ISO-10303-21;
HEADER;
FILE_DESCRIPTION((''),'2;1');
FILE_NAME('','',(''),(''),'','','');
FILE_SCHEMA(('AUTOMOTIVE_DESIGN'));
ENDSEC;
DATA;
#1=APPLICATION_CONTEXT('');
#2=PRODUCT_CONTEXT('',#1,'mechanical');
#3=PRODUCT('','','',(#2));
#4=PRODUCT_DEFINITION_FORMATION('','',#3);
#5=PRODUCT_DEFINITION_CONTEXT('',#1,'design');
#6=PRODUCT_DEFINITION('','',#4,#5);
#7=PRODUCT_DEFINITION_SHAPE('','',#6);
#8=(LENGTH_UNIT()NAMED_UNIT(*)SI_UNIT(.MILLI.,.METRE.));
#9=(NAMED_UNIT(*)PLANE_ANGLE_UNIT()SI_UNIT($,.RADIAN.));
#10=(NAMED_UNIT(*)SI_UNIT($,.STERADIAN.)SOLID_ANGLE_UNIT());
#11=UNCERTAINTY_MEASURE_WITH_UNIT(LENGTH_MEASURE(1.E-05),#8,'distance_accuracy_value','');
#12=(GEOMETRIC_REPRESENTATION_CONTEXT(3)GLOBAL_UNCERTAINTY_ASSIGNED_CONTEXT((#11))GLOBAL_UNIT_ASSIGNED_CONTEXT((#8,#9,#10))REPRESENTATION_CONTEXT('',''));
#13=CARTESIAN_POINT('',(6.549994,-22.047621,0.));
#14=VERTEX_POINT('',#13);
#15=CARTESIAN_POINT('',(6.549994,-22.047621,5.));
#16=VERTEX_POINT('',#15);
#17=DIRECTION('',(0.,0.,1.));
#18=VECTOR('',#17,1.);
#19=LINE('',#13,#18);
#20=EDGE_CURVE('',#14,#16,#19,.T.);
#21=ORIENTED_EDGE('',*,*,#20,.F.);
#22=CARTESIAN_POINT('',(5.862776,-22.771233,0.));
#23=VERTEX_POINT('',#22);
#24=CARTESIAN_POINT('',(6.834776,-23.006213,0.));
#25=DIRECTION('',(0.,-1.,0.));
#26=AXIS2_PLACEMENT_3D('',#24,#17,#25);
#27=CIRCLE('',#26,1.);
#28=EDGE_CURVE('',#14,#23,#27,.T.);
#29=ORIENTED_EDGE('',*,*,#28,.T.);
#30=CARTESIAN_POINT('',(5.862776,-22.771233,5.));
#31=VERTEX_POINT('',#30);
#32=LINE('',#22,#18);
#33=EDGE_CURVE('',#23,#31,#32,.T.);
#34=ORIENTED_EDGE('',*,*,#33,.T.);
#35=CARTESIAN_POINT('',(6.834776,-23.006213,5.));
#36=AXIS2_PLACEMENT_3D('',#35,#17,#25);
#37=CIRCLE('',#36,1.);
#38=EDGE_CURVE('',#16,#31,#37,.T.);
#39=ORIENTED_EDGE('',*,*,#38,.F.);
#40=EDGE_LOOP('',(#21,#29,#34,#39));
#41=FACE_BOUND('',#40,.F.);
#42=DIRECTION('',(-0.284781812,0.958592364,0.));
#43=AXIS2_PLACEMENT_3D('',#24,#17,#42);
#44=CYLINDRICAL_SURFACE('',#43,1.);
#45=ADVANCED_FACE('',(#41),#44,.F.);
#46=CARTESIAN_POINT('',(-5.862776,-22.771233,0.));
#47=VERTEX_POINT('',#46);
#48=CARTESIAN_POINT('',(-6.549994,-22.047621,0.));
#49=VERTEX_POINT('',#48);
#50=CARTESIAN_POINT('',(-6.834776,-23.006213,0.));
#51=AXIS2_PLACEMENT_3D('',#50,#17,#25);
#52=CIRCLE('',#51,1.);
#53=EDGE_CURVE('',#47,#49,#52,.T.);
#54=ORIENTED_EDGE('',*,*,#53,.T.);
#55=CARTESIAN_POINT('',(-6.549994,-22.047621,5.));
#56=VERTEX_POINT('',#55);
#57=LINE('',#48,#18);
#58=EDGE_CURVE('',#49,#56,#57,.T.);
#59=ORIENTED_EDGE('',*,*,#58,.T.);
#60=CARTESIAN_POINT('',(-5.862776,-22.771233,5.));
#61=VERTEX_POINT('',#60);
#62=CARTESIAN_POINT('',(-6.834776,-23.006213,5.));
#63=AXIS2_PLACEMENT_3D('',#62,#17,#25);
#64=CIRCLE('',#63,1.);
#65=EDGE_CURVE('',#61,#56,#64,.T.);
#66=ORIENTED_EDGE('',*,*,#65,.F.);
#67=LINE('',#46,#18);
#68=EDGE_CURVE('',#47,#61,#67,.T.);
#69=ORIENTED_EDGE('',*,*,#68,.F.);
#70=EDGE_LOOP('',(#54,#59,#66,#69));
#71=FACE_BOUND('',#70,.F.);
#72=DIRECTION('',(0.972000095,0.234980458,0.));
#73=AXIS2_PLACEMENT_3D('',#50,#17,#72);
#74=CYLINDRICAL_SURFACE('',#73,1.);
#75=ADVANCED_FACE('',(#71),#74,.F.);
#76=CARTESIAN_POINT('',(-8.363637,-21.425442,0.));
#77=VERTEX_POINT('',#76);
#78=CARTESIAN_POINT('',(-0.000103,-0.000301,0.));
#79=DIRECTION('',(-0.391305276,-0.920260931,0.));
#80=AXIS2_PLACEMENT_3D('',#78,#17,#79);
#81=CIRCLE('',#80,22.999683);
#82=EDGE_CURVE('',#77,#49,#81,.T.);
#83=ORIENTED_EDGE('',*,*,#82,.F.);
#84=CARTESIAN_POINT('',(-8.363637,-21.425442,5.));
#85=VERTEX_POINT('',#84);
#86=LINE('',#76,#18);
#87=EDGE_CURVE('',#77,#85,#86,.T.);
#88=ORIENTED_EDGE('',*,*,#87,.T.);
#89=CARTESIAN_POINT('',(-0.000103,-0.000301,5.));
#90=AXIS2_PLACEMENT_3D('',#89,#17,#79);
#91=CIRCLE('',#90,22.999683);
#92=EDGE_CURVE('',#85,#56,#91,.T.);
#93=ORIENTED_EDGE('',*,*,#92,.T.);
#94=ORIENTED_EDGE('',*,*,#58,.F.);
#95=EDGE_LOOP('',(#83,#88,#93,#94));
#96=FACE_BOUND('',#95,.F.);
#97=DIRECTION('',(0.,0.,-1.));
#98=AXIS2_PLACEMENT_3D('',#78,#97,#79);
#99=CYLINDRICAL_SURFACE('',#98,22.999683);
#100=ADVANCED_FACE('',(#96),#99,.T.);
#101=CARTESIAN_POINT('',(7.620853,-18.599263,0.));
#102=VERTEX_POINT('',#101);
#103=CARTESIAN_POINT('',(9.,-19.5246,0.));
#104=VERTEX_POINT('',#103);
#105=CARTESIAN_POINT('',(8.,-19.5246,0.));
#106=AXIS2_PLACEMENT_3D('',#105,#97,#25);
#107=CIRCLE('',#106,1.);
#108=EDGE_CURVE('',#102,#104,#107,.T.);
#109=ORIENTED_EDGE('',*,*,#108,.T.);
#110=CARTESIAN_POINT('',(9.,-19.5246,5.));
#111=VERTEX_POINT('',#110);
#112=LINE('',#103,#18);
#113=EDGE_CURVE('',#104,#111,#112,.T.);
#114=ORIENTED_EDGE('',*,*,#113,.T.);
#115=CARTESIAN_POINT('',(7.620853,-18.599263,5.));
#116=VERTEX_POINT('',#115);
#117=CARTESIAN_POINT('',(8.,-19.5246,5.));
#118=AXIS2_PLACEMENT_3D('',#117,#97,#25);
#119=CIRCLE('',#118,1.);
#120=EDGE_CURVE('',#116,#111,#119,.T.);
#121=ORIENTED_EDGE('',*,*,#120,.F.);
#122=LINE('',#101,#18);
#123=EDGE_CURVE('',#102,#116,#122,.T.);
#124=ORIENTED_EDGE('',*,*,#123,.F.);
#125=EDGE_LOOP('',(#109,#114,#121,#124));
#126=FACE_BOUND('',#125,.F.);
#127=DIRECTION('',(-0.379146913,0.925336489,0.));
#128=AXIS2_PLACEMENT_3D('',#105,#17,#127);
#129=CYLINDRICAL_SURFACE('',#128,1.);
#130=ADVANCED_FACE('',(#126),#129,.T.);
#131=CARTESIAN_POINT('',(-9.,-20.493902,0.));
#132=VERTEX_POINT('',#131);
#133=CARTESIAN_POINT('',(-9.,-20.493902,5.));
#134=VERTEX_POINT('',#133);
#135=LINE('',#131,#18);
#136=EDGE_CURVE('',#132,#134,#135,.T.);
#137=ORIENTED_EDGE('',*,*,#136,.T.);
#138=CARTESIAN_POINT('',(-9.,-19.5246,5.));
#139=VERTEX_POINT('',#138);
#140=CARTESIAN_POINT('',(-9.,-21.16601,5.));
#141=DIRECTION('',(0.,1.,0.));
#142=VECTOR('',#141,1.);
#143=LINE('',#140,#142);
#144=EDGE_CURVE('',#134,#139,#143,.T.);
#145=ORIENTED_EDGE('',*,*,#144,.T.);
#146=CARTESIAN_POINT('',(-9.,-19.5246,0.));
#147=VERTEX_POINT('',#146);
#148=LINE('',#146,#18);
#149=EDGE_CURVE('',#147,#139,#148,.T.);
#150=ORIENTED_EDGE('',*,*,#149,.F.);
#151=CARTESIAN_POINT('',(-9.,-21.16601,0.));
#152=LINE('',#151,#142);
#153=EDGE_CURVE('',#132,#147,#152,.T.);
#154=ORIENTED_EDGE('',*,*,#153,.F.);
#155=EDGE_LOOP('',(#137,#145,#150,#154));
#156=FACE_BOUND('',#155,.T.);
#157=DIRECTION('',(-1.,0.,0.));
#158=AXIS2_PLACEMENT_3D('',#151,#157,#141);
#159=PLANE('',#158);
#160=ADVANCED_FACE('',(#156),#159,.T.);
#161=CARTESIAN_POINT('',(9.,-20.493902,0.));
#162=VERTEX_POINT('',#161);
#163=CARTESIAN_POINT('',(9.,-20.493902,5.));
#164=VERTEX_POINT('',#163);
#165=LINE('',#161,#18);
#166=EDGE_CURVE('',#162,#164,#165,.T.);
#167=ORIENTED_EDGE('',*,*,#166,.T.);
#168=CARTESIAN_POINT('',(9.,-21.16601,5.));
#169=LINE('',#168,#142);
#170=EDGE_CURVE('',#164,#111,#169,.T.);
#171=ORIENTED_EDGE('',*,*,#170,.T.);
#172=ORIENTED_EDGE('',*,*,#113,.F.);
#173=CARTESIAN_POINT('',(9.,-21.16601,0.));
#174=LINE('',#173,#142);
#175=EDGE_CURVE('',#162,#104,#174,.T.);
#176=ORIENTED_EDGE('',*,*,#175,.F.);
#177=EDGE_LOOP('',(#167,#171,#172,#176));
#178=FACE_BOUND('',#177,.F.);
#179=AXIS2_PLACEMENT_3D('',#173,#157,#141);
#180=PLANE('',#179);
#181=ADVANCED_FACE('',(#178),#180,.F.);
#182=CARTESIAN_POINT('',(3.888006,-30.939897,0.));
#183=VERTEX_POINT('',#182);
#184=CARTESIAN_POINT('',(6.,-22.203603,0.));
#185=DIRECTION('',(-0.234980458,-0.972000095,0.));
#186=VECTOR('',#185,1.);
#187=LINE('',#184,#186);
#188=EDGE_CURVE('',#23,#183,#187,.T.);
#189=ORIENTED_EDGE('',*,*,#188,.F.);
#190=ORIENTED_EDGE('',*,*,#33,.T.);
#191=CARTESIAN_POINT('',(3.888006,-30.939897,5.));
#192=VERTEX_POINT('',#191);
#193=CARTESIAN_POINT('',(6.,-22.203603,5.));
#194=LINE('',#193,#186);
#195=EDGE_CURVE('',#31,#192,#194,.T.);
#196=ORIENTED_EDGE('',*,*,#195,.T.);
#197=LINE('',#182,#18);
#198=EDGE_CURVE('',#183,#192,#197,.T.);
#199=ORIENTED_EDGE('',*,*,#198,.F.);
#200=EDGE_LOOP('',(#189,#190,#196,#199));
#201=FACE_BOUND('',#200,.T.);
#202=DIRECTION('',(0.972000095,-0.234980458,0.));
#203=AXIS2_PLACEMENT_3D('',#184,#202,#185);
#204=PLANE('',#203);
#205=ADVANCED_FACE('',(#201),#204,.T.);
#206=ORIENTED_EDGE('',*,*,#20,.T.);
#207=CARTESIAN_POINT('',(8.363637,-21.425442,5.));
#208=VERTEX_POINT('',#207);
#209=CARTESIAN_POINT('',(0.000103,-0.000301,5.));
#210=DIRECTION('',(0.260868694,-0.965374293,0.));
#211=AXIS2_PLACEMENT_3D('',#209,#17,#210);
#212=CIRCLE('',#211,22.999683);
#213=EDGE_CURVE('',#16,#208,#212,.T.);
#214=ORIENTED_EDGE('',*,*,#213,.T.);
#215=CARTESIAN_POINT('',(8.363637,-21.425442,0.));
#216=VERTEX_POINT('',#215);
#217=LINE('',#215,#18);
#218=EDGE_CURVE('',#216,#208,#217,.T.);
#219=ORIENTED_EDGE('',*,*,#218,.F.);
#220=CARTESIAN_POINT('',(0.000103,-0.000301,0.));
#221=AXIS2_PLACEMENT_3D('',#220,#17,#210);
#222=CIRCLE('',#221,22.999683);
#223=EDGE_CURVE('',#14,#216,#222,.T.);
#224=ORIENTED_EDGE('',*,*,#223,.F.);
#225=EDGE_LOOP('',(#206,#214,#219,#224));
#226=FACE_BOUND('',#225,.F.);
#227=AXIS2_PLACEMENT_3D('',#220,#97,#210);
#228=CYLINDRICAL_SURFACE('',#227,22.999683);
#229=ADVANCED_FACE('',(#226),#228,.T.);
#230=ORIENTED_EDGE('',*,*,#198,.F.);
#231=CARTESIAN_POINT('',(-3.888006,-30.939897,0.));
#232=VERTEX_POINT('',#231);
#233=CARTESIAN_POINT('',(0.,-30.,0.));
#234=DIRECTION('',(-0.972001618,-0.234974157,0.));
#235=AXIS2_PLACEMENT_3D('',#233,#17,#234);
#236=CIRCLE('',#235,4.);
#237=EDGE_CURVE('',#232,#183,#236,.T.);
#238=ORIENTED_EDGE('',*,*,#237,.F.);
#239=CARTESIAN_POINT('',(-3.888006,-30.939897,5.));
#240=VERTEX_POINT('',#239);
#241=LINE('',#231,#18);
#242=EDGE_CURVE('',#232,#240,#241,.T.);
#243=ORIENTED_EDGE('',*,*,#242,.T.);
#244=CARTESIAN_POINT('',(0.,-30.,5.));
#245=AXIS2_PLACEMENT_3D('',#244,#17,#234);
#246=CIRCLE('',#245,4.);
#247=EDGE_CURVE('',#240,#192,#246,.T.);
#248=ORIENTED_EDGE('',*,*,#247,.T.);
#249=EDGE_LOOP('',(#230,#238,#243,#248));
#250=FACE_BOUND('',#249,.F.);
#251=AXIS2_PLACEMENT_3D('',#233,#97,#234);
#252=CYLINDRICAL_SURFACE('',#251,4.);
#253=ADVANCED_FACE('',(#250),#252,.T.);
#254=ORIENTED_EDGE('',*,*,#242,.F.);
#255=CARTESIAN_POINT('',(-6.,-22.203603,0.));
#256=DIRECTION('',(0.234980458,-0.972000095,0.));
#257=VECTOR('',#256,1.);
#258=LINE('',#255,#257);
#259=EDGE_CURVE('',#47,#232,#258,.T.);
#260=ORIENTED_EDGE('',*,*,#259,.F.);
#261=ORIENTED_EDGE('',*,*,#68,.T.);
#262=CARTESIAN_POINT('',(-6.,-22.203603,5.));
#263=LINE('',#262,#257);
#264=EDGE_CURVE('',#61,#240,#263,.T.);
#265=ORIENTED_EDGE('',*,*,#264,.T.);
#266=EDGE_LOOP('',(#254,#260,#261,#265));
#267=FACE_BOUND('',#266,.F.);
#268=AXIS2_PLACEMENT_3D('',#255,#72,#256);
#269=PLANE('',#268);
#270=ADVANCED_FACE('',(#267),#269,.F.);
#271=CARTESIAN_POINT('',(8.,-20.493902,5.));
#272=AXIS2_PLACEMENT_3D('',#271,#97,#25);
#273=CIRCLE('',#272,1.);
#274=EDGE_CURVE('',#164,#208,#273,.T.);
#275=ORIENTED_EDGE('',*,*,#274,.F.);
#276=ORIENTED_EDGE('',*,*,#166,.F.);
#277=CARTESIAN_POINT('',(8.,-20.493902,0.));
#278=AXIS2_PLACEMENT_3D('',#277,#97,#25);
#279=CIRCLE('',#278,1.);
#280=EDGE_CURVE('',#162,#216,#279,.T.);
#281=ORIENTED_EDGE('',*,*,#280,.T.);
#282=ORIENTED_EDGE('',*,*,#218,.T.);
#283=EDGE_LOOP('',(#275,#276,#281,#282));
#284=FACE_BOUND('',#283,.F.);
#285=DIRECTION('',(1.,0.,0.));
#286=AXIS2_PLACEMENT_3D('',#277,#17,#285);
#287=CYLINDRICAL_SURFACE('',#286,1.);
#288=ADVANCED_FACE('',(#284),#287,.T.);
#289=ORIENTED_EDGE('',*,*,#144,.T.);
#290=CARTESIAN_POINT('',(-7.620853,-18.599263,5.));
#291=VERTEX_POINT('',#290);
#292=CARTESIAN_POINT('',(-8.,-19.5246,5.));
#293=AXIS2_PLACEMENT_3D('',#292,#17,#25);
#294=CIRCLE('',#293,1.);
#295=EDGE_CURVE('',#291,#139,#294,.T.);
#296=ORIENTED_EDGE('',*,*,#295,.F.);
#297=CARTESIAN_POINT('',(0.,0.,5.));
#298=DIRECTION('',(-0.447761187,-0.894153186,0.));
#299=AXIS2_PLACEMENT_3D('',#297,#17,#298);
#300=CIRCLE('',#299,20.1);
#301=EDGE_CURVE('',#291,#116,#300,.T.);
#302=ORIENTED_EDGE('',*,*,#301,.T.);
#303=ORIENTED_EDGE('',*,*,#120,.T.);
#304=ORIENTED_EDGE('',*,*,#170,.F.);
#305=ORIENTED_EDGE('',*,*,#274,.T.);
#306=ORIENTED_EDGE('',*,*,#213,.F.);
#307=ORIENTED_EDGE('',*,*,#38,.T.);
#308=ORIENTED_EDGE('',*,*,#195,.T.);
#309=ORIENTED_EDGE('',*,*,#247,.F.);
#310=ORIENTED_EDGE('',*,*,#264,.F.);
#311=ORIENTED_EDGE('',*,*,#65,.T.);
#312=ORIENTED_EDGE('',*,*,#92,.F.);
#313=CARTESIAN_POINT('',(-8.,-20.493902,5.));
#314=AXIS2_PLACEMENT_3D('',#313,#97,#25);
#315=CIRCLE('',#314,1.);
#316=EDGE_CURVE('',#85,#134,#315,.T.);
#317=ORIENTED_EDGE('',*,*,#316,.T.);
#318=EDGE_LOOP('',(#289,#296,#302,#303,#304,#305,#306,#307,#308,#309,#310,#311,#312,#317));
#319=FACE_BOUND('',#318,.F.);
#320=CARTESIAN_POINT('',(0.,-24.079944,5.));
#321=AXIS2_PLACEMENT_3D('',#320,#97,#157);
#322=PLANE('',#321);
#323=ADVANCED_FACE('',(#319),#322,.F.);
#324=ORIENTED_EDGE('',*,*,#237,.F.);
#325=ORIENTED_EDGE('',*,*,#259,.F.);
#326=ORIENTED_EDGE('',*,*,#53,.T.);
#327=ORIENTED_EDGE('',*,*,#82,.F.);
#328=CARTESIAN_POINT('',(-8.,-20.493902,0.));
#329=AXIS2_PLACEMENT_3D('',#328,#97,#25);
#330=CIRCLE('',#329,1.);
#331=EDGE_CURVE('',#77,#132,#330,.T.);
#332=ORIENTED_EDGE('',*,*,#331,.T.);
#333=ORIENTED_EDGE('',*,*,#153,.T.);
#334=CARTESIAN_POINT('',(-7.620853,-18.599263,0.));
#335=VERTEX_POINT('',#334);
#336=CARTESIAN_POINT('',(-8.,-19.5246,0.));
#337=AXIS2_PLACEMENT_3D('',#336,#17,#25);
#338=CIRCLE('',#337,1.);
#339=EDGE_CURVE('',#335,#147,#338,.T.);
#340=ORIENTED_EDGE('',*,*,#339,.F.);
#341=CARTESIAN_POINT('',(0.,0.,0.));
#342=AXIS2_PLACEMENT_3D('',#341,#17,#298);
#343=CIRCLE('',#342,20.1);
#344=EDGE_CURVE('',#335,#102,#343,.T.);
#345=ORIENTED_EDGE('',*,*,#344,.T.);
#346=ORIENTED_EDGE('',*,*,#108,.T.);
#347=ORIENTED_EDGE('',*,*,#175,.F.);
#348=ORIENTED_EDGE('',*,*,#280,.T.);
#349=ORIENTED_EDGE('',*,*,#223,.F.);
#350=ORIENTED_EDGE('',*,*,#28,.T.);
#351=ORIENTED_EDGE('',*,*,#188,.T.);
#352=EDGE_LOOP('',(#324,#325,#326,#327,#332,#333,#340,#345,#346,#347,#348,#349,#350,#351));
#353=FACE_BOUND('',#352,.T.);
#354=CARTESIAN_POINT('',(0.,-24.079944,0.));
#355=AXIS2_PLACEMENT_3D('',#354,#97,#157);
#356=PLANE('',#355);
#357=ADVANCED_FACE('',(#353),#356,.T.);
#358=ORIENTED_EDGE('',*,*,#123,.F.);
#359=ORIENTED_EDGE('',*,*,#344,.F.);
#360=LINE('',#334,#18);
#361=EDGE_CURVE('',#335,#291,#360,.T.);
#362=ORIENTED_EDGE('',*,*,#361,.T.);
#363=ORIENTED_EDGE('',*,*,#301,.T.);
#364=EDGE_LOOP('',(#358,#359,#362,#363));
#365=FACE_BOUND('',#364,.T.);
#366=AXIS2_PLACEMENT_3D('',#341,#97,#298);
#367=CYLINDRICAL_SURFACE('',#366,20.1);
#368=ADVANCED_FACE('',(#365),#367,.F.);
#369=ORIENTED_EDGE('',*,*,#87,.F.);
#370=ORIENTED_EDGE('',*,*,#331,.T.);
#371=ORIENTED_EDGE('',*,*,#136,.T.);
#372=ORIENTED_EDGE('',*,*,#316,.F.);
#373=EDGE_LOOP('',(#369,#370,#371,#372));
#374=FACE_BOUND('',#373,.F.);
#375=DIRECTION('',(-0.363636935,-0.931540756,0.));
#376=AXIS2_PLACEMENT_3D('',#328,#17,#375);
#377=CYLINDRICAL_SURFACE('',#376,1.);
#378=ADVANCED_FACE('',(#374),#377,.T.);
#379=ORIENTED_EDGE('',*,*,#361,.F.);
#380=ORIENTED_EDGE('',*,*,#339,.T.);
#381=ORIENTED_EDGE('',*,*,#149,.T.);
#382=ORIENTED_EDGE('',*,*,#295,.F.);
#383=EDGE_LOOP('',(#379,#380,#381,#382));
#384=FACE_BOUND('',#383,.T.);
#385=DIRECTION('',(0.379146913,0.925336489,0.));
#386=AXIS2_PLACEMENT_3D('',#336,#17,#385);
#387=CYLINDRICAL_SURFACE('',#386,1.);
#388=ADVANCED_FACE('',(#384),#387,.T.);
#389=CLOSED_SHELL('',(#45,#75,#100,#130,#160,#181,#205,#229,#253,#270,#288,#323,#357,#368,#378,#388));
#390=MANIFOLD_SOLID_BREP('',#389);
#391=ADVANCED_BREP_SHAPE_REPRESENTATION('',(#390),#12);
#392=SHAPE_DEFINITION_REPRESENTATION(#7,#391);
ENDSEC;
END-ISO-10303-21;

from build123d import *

# Parameters (mm, degrees)
PAD_DEPTH = 5
FILLET_R  = 1


with BuildPart() as part:
    # Sketch → Pad (new body)
    with BuildSketch(Plane.XY):
        with BuildLine():
            ThreePointArc((-9, -17.972479), (0, -20.1), (9, -17.972479))
            Line((9, -21.16601), (9, -17.972479))
            ThreePointArc((6, -22.203603), (7.517922, -21.736625), (9, -21.16601))
            Line((6, -22.203603), (3.888006, -30.939897))
            ThreePointArc((-3.888006, -30.939897), (0, -34), (3.888006, -30.939897))
            Line((-6, -22.203603), (-3.888006, -30.939897))
            ThreePointArc((-9, -21.16601), (-7.517922, -21.736625), (-6, -22.203603))
            Line((-9, -21.16601), (-9, -17.972479))
        make_face()
    extrude(amount=PAD_DEPTH)

    # Fillet
    fillet_edges = [part.edges().sort_by_distance(p)[0] for p in [
        (9, -17.972479, 2.5),
        (9, -21.16601, 2.5),
        (-9, -21.16601, 2.5),
        (-6, -22.203603, 2.5),
        (-9, -17.972479, 2.5),
        (6, -22.203603, 2.5),
    ]]
    fillet(fillet_edges, radius=FILLET_R)


solid = part.part
